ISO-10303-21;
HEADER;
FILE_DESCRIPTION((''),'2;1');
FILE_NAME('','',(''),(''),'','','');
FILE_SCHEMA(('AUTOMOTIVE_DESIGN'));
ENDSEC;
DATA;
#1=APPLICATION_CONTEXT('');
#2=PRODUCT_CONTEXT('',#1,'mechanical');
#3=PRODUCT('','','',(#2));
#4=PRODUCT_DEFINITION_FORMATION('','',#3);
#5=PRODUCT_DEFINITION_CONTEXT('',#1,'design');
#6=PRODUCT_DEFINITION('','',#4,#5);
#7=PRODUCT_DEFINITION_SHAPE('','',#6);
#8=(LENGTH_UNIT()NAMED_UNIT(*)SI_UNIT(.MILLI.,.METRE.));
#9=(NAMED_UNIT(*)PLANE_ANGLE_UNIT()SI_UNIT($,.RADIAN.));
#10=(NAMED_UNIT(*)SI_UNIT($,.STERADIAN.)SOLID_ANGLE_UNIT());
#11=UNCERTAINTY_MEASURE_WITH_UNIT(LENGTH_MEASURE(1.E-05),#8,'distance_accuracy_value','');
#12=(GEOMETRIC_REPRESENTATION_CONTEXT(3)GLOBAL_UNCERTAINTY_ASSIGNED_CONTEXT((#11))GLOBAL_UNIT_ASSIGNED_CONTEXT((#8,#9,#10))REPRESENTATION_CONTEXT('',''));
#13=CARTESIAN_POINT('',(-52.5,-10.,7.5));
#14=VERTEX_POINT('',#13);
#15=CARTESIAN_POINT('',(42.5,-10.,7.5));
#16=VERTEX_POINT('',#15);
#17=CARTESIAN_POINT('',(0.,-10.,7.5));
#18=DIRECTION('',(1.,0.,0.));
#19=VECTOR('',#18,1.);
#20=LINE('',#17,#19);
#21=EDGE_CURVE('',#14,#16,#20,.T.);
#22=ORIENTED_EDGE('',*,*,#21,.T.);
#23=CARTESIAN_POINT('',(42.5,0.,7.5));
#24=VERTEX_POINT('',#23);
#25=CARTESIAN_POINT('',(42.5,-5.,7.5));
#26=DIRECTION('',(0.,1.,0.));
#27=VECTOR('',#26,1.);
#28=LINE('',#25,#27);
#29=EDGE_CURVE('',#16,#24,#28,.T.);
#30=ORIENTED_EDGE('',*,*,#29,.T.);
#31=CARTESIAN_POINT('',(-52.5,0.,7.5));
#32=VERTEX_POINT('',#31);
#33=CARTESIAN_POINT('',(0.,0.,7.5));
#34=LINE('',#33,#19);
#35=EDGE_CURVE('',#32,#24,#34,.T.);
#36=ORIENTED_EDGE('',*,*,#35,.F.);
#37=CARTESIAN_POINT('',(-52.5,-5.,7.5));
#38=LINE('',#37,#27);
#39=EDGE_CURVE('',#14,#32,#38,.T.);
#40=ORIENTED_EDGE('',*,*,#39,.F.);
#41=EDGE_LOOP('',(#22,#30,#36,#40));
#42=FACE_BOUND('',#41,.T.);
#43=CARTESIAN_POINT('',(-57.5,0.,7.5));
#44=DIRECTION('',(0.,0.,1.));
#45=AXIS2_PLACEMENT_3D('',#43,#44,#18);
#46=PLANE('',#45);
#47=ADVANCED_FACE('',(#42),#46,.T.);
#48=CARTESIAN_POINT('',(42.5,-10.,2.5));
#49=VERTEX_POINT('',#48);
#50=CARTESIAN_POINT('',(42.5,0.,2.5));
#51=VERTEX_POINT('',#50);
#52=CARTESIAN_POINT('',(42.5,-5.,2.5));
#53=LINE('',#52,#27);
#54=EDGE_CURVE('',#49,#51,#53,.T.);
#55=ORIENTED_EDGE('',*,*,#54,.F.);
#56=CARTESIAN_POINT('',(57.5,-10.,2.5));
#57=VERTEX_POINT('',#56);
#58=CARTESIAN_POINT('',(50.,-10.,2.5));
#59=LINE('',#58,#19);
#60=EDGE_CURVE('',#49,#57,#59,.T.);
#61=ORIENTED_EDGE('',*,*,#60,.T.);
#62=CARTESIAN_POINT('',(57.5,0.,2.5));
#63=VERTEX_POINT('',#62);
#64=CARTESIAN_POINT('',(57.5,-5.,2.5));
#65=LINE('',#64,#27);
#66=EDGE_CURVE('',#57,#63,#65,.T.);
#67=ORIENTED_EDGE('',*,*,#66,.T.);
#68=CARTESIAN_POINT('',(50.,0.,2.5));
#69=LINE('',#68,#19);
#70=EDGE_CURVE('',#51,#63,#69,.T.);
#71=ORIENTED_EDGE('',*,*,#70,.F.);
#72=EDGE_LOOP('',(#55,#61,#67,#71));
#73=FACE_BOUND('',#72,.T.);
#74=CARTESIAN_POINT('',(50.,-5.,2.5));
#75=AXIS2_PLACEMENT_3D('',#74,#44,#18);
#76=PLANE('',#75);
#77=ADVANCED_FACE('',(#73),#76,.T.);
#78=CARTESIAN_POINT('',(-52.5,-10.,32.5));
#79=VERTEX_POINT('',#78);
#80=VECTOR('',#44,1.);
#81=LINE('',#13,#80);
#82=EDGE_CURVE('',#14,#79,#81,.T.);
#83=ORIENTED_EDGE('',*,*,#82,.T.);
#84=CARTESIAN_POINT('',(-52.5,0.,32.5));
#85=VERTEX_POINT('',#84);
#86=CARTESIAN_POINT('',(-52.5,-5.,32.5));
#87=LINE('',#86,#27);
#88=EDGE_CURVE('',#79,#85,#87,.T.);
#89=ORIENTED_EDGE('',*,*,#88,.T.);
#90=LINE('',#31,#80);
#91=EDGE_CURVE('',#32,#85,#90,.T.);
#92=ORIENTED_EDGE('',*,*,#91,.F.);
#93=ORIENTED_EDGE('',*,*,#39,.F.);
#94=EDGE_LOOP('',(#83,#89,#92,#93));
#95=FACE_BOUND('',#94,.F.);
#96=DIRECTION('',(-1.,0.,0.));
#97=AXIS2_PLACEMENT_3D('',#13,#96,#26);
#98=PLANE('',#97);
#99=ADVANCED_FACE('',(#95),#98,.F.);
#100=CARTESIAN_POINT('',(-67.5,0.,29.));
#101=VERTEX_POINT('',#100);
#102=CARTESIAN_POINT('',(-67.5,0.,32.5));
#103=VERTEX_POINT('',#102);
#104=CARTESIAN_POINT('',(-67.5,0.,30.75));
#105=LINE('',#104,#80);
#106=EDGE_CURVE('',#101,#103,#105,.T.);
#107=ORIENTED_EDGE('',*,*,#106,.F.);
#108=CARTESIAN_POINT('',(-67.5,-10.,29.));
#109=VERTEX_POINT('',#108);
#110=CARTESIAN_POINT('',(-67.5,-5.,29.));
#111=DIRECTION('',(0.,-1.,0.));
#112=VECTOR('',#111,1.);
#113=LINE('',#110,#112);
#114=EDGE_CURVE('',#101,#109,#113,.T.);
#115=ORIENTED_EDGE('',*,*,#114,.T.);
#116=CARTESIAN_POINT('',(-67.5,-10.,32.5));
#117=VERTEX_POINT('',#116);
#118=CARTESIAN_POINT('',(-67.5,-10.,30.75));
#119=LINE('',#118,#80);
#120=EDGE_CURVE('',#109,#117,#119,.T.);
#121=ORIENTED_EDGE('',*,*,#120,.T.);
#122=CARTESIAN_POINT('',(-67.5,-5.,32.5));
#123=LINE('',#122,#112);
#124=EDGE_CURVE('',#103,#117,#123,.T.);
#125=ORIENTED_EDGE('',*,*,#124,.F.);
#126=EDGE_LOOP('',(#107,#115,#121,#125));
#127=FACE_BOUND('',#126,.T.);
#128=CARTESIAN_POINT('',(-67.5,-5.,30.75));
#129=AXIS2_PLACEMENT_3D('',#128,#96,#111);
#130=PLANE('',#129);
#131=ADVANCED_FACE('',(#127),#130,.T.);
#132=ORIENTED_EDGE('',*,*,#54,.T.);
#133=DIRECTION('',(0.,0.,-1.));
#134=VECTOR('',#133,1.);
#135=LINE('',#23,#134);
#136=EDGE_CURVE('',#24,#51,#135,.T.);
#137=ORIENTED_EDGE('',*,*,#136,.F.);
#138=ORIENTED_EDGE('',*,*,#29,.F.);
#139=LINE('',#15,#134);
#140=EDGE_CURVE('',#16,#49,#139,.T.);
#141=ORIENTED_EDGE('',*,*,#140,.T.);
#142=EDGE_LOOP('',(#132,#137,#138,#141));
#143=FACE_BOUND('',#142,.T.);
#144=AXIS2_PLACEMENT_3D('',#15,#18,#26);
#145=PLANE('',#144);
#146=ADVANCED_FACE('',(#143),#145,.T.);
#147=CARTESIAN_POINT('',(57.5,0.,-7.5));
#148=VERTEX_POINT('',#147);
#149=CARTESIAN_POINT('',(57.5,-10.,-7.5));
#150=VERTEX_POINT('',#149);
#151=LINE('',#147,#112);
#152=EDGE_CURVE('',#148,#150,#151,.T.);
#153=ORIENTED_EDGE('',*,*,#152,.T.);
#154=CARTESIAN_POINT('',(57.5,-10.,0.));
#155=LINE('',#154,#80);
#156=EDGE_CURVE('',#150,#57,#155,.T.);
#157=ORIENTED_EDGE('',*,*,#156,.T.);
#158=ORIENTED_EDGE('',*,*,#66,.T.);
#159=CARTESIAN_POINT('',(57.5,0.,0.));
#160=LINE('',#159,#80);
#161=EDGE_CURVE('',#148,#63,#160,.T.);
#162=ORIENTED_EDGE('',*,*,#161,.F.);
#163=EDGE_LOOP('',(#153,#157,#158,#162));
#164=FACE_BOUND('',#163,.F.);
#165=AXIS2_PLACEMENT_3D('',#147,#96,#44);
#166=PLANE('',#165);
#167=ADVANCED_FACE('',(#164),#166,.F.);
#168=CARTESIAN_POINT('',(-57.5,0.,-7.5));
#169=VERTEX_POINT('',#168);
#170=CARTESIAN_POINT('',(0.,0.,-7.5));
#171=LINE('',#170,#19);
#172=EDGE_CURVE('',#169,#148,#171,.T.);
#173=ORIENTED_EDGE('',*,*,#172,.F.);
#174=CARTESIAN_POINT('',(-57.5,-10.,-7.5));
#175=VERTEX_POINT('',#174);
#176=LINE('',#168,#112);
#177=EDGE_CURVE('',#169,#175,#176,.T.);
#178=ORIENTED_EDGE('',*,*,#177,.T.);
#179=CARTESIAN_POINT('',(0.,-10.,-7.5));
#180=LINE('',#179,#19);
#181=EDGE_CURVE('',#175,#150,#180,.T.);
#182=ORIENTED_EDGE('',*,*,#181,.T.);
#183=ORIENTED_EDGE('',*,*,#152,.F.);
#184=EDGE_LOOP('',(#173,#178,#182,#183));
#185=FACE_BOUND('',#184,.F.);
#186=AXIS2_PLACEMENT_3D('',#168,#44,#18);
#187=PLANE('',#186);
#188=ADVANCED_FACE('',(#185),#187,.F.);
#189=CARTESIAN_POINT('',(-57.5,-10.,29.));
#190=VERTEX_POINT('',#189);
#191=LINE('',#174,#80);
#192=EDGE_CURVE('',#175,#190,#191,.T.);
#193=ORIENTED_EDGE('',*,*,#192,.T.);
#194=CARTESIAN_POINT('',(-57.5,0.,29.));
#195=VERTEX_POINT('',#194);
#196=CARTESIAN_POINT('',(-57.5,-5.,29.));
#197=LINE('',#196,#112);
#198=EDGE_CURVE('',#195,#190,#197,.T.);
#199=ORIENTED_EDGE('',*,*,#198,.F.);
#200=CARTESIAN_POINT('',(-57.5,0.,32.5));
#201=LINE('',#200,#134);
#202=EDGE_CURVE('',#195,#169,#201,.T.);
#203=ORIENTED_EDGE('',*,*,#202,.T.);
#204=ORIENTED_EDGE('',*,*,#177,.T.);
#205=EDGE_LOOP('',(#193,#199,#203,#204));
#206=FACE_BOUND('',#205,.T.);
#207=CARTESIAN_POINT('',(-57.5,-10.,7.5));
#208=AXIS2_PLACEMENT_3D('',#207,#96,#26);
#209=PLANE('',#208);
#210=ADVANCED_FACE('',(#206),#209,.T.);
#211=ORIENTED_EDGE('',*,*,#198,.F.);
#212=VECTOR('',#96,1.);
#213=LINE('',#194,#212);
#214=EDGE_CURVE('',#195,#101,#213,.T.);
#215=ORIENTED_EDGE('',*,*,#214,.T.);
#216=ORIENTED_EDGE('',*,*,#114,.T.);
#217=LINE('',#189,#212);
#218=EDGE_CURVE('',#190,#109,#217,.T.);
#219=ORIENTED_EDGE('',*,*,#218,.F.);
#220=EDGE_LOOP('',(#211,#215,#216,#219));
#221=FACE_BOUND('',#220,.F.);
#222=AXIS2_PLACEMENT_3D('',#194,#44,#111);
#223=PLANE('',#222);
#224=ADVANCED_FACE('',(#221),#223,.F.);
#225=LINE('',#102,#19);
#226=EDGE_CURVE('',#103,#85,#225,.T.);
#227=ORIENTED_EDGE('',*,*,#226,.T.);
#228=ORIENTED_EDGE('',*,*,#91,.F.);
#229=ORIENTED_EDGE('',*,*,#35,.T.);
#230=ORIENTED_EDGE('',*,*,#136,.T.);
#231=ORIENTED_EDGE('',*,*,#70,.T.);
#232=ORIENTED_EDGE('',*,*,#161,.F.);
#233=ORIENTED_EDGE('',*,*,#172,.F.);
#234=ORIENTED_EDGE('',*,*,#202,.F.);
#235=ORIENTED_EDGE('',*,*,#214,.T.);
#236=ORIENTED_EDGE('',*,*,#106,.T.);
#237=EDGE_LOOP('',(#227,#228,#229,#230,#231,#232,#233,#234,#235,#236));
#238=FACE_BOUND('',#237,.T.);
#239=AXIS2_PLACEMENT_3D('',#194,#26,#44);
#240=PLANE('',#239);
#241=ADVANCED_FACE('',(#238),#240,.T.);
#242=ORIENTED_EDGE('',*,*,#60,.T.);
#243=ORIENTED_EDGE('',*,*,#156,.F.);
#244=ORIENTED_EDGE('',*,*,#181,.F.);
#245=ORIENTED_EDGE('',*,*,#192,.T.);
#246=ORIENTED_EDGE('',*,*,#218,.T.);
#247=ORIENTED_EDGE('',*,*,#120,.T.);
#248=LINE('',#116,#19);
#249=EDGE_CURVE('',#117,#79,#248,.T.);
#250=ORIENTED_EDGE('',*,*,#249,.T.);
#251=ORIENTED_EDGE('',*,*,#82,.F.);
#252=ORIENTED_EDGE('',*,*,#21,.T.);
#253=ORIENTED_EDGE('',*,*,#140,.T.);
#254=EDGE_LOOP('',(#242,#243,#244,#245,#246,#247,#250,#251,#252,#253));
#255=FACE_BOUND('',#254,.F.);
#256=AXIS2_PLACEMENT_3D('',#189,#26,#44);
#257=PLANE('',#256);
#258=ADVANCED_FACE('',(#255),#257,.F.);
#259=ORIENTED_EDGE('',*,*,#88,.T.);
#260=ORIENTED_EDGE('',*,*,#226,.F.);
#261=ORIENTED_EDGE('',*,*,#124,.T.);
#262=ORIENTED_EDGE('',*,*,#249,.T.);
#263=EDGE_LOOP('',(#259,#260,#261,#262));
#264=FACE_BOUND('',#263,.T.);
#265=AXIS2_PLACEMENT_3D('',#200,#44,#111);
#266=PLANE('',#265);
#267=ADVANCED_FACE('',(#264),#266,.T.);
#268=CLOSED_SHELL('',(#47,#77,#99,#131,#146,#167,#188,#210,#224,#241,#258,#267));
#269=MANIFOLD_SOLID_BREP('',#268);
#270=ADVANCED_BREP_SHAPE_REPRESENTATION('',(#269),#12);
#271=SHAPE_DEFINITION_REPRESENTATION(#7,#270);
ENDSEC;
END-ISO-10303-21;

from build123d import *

# Parameters (mm, degrees)
F0_W     = 115
F0_H     = 15
F1_DEPTH = 10
F2_W     = 15
F2_H     = 10
F3_DEPTH = 5
F4_W     = 5
F4_H     = 10
F5_DEPTH = 25
F6_W     = 10
F6_H     = 3.5
F7_DEPTH = 10


with BuildPart() as f1:
    # F0 (on Front) → F1 (new body)
    with BuildSketch(Plane.XZ):
        Rectangle(F0_W, F0_H)
    extrude(amount=F1_DEPTH)

    # F2 (on face) → F3 (cut)
    with BuildSketch(Plane.XY.offset(7.5)):
        with Locations((50, -5)):
            Rectangle(F2_W, F2_H)
    extrude(amount=-F3_DEPTH, mode=Mode.SUBTRACT)

    # F4 (on face) → F5 (join)
    with BuildSketch(Plane.XY.offset(7.5)):
        with Locations((-55, -5)):
            Rectangle(F4_W, F4_H)
    extrude(amount=F5_DEPTH)

    # F6 (on face) → F7 (join)
    with BuildSketch(Plane(origin=(-57.5, 0, 0), x_dir=(0, -1, 0), z_dir=(-1, 0, 0))):
        with Locations((5, 30.75)):
            Rectangle(F6_W, F6_H)
    extrude(amount=F7_DEPTH)


solid = f1.part
